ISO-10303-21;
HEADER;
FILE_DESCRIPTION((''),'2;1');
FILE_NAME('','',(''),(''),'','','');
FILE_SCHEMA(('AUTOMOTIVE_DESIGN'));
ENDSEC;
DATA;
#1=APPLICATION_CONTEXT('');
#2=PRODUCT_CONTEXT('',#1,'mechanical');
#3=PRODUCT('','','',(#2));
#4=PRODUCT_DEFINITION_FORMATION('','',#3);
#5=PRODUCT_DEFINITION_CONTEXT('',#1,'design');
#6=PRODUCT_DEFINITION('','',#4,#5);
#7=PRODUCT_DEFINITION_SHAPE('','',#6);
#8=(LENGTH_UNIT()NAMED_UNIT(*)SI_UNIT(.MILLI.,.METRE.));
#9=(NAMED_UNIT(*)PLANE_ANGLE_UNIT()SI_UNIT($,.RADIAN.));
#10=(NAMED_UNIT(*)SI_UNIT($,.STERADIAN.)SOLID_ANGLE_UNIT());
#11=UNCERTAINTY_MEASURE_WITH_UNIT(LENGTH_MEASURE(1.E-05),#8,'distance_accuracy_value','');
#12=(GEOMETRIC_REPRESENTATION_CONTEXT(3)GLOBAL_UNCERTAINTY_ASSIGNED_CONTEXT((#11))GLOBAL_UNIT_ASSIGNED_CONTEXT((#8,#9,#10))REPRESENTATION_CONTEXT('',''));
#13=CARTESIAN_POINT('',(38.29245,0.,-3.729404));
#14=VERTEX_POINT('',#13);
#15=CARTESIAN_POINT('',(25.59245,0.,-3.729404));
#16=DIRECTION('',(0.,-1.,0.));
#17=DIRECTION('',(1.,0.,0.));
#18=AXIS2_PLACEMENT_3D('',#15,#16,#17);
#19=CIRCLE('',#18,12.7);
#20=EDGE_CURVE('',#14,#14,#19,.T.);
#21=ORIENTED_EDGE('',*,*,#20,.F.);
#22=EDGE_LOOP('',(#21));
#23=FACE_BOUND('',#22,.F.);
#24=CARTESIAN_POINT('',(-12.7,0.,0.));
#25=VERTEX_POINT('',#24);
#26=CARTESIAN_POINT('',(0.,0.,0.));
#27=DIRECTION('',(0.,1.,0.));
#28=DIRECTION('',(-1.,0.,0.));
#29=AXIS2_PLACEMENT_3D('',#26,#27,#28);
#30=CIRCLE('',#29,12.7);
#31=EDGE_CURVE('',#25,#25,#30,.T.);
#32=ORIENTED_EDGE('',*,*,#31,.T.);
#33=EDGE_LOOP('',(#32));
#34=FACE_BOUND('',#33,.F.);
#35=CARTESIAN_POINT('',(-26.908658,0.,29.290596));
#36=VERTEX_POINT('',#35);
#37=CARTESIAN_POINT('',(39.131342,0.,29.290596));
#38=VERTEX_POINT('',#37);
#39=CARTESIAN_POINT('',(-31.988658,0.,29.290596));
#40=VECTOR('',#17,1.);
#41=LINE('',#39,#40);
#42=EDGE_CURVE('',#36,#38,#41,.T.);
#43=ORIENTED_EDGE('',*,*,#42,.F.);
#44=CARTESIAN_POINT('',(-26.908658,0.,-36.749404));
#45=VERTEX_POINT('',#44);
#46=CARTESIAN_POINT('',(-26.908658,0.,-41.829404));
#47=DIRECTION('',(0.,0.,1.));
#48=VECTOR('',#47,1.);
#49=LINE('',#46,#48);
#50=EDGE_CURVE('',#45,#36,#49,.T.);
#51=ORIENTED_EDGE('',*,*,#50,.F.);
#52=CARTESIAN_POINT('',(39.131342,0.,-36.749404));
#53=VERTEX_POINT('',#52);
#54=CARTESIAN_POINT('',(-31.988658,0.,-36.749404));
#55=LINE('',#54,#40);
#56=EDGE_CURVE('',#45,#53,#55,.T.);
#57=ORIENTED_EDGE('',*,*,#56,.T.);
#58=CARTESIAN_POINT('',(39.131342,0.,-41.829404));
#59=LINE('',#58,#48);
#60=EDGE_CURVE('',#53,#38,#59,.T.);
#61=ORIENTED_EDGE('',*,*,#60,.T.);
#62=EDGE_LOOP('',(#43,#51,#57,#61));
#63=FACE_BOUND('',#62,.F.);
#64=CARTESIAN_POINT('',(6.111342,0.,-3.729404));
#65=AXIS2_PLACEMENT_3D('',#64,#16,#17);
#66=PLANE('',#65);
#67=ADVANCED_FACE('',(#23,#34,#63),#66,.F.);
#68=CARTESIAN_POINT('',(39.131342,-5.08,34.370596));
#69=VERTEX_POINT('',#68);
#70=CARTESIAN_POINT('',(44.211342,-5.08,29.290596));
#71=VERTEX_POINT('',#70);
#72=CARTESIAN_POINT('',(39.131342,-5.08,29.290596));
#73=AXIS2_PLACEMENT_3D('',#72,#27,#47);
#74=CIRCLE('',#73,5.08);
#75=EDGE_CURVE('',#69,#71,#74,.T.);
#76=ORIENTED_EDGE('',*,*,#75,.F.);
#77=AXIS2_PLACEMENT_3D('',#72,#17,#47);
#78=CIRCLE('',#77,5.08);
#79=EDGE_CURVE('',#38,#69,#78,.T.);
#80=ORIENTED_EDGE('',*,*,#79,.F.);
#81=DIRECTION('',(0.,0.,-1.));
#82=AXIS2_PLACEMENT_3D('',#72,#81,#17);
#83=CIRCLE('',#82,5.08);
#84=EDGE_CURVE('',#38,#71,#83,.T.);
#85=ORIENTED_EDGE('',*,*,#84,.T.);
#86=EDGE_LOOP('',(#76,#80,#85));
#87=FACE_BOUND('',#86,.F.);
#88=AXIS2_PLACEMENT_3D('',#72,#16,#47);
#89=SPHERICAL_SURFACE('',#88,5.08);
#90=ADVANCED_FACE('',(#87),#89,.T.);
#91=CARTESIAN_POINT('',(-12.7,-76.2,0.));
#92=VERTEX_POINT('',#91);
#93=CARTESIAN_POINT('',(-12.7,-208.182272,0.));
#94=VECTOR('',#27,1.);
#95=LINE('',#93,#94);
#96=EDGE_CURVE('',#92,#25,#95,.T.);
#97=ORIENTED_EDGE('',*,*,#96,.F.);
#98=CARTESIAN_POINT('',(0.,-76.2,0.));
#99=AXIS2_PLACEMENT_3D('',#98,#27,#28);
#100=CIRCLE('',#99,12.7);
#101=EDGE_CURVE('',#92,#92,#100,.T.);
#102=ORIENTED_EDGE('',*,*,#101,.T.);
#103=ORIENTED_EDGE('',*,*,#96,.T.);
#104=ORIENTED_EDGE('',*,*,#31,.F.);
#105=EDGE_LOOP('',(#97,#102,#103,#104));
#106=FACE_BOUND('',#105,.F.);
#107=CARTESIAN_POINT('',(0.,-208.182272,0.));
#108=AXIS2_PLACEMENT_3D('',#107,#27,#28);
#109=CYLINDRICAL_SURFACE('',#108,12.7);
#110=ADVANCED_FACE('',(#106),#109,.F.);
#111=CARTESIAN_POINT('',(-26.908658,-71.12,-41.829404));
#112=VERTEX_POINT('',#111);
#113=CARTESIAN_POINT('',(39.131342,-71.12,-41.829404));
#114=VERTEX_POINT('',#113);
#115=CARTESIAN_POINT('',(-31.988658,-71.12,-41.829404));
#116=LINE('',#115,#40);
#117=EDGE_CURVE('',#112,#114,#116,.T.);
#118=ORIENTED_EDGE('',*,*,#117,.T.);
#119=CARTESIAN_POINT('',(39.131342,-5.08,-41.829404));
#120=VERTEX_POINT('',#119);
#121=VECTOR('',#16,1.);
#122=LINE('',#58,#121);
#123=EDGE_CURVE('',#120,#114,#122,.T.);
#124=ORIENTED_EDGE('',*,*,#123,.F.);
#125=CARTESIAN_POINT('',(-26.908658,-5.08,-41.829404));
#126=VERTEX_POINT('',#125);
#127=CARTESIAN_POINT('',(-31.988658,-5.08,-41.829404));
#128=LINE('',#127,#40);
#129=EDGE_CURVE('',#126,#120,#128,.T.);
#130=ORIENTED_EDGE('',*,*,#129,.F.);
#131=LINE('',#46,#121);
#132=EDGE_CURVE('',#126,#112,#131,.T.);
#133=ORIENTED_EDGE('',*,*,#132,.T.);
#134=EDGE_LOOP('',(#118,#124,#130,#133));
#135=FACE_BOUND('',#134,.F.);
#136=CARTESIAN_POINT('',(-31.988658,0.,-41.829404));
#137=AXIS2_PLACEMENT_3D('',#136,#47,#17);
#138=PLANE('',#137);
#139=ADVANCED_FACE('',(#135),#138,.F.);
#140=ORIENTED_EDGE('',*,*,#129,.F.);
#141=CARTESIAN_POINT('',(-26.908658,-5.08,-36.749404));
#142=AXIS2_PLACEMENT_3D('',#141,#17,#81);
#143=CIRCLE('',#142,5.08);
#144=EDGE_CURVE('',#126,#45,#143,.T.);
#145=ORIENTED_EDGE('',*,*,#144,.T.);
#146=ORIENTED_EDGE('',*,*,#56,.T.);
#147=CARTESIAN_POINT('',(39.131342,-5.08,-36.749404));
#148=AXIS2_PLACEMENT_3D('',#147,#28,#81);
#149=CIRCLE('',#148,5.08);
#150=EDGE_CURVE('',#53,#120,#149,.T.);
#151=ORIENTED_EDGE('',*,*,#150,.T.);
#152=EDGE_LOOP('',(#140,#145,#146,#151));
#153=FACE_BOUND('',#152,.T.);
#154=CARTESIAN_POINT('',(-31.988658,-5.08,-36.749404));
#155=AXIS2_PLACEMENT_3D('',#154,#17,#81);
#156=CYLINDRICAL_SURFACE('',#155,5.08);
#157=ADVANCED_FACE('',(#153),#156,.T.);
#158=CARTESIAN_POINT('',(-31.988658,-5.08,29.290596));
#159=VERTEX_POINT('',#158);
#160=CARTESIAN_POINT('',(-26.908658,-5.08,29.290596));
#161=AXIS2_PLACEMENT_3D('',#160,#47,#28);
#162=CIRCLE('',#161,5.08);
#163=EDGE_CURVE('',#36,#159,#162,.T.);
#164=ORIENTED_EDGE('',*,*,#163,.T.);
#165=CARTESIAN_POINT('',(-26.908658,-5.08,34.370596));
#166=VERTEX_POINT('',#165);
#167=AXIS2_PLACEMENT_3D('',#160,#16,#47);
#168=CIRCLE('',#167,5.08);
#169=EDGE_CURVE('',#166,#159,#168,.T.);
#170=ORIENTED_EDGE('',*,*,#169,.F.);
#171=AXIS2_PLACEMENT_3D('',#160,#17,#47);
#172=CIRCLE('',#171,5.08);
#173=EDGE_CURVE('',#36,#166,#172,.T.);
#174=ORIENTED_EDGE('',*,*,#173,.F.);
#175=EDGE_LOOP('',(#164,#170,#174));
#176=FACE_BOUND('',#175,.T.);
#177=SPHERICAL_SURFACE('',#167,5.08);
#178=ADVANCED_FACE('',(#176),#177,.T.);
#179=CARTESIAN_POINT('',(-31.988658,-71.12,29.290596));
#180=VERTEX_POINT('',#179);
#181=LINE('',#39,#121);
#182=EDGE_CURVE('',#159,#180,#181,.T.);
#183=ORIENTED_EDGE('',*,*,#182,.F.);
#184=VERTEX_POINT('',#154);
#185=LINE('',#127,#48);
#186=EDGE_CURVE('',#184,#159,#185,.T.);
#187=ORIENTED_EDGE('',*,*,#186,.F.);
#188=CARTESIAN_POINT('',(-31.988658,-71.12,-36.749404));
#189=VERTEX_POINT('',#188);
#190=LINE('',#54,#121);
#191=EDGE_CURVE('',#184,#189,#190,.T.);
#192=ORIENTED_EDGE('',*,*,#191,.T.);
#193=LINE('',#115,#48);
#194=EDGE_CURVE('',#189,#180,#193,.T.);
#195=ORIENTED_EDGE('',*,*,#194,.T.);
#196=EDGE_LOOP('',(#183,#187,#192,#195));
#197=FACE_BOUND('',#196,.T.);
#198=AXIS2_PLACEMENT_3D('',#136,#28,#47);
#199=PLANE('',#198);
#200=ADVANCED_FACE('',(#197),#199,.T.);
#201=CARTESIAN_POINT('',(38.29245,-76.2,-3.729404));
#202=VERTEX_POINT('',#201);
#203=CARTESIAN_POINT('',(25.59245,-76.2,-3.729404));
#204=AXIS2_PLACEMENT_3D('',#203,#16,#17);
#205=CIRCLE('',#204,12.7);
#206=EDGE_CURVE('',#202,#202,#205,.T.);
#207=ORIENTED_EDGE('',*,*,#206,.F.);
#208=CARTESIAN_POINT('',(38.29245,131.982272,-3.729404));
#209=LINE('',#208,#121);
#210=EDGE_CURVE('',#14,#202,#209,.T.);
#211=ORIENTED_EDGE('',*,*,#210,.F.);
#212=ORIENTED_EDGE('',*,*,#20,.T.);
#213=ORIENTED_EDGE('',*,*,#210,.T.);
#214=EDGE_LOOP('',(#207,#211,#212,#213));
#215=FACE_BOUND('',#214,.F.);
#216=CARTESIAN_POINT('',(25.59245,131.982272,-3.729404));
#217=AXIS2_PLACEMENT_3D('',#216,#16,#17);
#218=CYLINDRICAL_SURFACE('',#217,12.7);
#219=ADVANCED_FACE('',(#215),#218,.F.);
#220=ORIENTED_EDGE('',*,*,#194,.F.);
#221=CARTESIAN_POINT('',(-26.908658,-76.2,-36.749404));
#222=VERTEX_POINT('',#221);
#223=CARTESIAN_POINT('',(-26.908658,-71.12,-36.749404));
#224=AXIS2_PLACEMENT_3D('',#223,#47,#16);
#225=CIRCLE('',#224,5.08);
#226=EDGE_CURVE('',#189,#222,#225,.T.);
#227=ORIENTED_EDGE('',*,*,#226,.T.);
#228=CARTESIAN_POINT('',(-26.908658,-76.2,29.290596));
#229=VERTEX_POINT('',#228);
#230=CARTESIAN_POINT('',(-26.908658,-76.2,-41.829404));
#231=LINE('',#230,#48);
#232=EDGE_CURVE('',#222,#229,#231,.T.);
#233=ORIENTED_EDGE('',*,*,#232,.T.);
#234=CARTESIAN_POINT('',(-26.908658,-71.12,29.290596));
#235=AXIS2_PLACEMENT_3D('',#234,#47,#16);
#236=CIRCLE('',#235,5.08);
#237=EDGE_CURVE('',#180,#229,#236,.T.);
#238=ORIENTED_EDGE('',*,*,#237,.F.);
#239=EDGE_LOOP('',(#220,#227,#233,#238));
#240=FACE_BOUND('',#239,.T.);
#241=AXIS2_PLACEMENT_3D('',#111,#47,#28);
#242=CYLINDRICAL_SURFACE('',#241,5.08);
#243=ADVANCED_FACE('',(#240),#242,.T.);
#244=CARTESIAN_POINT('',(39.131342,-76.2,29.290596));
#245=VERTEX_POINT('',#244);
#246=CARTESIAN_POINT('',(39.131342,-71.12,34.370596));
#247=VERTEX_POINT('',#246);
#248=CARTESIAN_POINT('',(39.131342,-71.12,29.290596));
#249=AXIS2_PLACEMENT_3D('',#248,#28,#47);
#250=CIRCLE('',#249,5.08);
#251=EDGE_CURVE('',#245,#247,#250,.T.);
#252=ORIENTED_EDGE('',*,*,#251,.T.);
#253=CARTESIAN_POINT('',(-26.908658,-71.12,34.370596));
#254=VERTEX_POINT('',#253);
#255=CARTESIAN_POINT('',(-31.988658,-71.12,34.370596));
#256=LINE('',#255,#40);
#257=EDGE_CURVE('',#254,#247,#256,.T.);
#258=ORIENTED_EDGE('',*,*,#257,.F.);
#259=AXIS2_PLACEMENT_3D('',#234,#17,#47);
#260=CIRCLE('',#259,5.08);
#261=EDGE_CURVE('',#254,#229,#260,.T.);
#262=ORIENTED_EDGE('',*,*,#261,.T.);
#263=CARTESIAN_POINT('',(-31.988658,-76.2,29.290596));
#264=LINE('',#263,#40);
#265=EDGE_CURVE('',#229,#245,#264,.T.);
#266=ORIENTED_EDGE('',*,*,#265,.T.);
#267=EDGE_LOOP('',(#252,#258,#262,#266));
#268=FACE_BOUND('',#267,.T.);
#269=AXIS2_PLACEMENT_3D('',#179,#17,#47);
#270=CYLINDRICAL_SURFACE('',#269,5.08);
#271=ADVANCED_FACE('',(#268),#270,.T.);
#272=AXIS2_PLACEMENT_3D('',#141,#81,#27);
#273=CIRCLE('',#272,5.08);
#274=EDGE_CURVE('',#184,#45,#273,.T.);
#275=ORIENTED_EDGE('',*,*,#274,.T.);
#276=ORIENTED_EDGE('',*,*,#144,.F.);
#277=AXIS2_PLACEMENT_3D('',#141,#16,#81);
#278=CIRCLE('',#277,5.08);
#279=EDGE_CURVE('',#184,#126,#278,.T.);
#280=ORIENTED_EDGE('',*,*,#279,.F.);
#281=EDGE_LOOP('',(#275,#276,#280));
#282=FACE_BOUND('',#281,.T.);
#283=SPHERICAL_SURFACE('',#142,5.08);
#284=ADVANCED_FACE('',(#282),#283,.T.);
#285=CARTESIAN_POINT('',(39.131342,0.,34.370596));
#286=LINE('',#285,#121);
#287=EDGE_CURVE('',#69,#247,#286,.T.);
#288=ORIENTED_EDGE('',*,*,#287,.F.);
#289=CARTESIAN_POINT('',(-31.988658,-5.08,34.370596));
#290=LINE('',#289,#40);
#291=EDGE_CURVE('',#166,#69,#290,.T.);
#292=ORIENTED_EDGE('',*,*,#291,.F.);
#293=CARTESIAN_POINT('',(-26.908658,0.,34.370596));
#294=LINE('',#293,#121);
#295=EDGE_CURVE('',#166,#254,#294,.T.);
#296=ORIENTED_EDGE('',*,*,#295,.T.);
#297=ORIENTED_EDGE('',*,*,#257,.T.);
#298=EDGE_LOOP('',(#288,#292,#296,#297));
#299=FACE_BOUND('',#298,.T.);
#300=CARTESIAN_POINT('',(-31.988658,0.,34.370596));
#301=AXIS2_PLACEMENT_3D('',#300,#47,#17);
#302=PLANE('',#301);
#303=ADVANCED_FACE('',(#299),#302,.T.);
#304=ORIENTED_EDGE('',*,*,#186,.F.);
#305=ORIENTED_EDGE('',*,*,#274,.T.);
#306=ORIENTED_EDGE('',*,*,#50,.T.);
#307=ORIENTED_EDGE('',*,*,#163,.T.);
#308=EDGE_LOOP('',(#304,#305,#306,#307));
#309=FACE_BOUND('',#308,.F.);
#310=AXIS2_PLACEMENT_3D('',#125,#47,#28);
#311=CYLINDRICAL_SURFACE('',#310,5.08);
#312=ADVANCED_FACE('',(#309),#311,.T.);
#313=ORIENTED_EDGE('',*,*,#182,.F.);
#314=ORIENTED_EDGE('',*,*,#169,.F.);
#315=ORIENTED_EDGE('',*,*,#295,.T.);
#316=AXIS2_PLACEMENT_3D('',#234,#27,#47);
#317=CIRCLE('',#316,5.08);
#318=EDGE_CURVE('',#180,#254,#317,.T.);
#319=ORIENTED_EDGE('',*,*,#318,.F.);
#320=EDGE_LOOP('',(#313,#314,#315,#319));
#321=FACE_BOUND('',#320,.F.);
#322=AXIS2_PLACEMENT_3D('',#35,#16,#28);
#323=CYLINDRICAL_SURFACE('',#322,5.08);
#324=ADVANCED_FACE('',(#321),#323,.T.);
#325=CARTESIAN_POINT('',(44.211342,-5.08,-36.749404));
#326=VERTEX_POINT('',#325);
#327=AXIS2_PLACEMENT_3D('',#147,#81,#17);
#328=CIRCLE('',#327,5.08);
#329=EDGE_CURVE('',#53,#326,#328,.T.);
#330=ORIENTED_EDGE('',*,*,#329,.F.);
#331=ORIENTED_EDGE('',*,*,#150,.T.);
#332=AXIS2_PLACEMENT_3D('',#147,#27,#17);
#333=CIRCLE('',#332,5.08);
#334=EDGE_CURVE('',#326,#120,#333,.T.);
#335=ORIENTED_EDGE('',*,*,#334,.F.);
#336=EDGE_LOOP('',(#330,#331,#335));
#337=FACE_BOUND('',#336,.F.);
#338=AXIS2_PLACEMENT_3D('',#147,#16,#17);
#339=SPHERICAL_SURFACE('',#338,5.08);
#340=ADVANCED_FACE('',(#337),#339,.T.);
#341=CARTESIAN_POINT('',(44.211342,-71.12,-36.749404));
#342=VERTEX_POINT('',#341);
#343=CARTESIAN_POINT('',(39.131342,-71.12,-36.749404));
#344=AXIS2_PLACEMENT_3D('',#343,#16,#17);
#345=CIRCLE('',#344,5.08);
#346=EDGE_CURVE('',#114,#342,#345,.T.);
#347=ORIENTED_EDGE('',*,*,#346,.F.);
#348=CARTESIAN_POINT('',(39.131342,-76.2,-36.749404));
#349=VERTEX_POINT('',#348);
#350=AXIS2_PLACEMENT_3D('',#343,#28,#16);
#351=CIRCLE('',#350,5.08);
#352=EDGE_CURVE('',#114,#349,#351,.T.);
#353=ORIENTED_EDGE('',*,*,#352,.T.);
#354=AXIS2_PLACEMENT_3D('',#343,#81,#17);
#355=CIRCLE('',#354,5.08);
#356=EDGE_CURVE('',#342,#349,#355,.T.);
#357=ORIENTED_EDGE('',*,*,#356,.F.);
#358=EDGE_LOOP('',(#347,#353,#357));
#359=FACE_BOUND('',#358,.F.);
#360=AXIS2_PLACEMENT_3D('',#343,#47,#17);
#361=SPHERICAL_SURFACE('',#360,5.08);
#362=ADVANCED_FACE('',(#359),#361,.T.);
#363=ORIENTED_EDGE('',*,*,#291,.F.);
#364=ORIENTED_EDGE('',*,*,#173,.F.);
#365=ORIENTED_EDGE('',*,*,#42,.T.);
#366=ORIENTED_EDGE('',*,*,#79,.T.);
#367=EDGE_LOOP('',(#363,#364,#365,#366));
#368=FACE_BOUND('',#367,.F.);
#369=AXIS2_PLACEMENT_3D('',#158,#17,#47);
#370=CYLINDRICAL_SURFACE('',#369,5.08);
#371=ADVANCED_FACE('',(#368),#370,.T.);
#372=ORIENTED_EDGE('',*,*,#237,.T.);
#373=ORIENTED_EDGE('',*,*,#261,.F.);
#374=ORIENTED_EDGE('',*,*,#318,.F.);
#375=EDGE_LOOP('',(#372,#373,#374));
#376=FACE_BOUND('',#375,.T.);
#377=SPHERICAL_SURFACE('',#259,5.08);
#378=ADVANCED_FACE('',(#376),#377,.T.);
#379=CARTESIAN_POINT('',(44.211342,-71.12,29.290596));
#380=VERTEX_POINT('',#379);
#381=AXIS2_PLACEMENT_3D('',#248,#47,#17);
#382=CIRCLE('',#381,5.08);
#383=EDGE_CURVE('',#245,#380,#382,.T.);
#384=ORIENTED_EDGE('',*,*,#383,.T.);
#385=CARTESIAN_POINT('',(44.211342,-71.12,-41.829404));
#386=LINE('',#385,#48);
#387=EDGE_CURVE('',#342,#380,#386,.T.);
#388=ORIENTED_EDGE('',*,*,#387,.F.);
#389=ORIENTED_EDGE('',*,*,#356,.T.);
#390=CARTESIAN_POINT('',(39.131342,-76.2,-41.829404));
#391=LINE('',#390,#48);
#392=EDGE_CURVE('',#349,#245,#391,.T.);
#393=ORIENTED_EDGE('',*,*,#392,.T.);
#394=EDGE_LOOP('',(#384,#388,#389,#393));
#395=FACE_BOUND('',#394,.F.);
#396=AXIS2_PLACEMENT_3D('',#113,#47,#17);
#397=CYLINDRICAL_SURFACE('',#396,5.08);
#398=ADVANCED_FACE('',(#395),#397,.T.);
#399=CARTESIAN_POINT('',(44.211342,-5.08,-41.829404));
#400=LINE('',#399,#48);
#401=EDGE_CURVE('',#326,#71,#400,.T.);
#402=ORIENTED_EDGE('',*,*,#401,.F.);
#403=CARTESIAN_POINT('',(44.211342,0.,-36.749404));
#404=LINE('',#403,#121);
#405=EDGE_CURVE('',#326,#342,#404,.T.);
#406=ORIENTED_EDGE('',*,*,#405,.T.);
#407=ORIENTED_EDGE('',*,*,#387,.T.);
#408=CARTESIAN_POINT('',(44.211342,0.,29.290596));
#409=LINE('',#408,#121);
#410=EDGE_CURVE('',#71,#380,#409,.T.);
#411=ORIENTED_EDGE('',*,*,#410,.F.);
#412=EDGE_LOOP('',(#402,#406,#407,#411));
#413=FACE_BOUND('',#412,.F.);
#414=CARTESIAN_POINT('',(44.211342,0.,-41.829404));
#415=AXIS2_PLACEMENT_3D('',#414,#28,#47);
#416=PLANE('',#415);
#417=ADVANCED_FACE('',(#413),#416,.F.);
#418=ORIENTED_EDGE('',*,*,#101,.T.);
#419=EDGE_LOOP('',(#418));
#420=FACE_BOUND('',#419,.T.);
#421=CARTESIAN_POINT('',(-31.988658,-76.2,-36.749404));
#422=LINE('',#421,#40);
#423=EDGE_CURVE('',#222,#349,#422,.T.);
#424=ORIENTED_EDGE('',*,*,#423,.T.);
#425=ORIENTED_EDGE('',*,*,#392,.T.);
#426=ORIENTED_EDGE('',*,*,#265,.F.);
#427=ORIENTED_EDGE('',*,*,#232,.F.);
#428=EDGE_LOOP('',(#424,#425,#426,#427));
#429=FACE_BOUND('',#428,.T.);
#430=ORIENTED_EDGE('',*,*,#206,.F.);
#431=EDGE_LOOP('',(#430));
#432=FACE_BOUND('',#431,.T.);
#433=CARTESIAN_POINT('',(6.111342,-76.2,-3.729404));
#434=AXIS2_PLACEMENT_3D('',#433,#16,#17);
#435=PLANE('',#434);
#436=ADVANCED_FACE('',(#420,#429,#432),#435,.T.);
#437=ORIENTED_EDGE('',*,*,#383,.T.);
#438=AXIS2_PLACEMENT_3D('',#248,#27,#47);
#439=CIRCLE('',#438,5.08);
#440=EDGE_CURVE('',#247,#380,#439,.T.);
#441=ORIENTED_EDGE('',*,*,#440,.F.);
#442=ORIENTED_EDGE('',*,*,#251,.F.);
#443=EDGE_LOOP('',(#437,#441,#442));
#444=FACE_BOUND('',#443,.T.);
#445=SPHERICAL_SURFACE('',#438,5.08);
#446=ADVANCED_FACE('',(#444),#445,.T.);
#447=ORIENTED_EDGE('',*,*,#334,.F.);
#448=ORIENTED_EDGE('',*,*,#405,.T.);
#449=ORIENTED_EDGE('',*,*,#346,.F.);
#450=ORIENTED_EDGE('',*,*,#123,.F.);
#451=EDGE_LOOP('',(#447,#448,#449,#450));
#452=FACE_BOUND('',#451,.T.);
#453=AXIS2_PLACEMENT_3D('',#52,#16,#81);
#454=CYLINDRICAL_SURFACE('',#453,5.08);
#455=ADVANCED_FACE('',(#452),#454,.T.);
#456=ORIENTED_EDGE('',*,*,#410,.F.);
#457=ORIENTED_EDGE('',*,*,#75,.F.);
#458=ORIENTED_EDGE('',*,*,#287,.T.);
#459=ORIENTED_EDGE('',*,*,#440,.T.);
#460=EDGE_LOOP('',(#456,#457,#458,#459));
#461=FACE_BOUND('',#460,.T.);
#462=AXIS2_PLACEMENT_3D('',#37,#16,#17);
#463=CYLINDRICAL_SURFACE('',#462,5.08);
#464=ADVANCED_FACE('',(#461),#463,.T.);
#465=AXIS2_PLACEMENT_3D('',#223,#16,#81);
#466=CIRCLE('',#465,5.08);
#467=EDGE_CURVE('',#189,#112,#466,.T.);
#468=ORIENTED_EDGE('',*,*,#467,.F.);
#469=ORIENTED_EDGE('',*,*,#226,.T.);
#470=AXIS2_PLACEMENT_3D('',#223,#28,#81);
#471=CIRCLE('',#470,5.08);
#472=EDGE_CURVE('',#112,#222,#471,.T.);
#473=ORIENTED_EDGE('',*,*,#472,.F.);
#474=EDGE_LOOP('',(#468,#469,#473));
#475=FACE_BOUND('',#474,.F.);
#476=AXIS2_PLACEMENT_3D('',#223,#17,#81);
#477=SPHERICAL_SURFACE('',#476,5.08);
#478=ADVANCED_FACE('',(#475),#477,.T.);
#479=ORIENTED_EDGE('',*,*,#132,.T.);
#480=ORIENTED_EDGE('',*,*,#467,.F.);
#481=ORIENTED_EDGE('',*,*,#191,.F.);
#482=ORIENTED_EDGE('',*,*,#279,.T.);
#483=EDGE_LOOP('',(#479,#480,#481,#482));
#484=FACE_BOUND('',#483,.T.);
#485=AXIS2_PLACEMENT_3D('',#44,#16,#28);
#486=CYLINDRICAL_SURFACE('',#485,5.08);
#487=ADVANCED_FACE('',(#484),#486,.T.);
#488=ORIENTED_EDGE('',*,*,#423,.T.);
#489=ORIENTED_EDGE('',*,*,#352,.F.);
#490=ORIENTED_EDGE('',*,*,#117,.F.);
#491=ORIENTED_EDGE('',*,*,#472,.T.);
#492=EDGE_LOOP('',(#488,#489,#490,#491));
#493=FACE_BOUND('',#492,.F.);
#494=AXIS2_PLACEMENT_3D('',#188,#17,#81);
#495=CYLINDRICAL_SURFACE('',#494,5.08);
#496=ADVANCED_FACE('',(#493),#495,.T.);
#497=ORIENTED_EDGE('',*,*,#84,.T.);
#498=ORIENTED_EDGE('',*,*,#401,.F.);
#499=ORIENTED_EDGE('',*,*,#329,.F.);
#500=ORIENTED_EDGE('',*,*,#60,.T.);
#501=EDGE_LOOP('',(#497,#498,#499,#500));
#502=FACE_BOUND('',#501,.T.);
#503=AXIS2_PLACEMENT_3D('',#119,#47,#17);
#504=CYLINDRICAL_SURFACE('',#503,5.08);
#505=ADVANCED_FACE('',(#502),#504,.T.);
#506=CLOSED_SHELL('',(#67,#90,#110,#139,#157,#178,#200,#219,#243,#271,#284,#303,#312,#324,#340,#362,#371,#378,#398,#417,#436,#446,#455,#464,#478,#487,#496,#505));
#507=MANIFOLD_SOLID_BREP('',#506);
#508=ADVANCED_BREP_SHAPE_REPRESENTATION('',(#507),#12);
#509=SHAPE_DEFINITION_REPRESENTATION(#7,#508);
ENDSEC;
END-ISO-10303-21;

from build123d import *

# Parameters (mm, degrees)
F0_W     = 76.2
F0_H     = 76.2
F1_DEPTH = 76.2
F2_R     = 5.08
F4_D     = 25.4
F6_D     = 25.4


with BuildPart() as f1:
    # F0 (on Front) → F1 (new body)
    with BuildSketch(Plane.XZ):
        with Locations((6.111342, -3.729404)):
            Rectangle(F0_W, F0_H)
    extrude(amount=F1_DEPTH)

    # F2
    f2_edges = [f1.edges().sort_by_distance(p)[0] for p in [
        (44.211342, -38.1, 34.370596),
        (6.111342, -76.2, 34.370596),
        (44.211342, -76.2, -3.729404),
        (44.211342, -38.1, -41.829404),
        (6.111342, -76.2, -41.829404),
        (-31.988658, -38.1, 34.370596),
        (6.111342, 0, 34.370596),
        (44.211342, 0, -3.729404),
        (6.111342, 0, -41.829404),
        (-31.988658, -38.1, -41.829404),
        (-31.988658, 0, -3.729404),
        (-31.988658, -76.2, -3.729404),
    ]]
    fillet(f2_edges, radius=F2_R)

    # F4 (through all)
    with Locations(Plane.XZ.offset(76.2)):
        with Locations((0, 0)):
            Hole(F4_D / 2)

    # F6 (through all)
    with Locations(Plane(origin=(0, 0, 0), x_dir=(-1, 0, 0), z_dir=(0, 1, 0))):
        with Locations((-25.59245, -3.729404)):
            Hole(F6_D / 2)


solid = f1.part
